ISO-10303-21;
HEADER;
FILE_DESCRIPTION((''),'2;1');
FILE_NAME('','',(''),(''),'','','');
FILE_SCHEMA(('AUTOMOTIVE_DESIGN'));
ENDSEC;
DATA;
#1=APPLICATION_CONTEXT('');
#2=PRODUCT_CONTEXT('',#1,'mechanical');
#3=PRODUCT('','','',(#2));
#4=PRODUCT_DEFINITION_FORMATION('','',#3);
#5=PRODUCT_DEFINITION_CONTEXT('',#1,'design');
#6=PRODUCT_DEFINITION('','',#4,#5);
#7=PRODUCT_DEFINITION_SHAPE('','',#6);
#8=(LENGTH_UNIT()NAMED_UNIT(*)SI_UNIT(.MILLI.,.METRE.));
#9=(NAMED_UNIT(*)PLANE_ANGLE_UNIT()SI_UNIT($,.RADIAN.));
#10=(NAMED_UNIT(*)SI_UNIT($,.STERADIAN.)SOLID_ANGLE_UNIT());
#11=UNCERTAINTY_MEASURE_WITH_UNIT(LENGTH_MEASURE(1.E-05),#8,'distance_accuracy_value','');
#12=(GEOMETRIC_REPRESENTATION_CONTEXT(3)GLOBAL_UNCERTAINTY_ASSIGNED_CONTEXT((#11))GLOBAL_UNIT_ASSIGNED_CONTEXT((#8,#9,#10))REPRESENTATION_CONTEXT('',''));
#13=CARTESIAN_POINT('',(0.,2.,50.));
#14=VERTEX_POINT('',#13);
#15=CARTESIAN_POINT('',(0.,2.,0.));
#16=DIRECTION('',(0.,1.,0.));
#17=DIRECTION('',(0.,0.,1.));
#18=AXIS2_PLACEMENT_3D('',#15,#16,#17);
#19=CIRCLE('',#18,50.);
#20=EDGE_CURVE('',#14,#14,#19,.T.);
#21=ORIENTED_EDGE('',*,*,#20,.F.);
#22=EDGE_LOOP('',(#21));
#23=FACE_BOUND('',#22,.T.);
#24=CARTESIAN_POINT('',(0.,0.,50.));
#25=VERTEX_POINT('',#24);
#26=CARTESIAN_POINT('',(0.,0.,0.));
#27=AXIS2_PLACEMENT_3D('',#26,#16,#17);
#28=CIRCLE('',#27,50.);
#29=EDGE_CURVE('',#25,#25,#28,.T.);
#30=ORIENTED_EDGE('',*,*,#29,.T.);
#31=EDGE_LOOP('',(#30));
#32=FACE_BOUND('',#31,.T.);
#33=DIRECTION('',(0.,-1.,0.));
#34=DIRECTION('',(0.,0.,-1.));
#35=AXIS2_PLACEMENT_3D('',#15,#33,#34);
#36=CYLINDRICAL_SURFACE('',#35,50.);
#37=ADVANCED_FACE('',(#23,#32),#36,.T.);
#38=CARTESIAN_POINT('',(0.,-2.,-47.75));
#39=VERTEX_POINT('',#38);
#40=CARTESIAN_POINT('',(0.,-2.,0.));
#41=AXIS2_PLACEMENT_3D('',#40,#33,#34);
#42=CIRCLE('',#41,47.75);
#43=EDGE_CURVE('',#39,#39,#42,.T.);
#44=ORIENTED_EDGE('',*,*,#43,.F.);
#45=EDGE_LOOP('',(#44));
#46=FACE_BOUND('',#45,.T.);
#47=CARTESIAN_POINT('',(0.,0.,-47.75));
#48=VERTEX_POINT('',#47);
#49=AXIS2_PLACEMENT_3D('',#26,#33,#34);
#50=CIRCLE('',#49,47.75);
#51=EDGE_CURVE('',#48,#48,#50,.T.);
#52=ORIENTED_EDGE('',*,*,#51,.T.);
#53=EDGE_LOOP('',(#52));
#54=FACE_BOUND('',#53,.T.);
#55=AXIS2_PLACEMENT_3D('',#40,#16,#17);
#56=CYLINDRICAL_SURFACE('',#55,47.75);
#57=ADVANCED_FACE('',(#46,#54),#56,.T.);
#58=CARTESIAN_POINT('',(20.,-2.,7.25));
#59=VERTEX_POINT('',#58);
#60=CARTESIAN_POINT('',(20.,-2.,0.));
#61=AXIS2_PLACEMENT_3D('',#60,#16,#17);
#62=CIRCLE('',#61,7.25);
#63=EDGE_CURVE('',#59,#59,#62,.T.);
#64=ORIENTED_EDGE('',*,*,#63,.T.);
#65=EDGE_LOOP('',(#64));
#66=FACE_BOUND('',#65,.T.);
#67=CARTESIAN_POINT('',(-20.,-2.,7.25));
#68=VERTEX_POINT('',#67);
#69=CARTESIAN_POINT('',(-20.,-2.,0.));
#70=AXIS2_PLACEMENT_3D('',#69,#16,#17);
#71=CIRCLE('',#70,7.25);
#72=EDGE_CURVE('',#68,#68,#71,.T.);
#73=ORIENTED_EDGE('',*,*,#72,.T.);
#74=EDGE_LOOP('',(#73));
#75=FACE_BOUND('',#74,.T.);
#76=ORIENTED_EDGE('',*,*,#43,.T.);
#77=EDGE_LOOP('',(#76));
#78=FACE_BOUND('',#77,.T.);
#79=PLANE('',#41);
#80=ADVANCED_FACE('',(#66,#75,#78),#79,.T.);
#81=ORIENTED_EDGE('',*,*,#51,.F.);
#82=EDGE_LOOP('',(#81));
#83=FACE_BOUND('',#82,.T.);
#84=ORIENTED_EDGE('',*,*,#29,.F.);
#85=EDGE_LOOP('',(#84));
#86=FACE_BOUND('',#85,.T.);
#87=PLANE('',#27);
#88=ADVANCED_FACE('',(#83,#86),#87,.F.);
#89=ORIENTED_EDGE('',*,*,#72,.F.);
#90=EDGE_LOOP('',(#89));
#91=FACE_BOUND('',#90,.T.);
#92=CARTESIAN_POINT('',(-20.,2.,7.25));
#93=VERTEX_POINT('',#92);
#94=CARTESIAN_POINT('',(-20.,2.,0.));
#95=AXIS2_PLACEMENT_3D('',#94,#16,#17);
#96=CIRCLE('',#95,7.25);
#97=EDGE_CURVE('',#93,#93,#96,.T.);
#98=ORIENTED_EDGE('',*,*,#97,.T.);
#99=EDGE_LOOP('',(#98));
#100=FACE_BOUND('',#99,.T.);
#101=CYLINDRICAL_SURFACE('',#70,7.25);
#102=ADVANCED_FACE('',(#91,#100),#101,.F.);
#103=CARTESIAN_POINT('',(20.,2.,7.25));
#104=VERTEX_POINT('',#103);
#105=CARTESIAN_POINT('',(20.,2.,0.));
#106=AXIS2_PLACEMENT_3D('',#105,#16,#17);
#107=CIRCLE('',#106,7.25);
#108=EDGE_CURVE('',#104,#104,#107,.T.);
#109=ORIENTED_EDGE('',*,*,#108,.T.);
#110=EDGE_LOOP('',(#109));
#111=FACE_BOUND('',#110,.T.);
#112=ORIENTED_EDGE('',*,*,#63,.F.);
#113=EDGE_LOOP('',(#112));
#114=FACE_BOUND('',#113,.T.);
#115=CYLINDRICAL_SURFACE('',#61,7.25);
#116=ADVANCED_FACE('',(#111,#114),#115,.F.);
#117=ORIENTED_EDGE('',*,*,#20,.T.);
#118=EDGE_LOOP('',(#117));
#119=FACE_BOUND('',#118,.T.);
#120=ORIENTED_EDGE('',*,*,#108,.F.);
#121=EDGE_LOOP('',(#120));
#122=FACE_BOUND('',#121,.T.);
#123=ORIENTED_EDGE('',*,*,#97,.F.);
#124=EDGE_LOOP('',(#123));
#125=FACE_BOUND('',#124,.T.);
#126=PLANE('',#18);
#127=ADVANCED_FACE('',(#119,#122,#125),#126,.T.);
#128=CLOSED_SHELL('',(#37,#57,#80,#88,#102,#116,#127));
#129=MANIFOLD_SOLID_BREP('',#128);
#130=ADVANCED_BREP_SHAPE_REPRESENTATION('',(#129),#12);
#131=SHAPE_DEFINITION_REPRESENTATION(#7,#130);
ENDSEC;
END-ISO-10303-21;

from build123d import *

# Parameters (mm, degrees)
SKETCH1_R           = 50
BOSS_EXTRUDE1_DEPTH = 2
SKETCH2_R           = 47.75
BOSS_EXTRUDE2_DEPTH = 2
SKETCH3_R           = 7.25
CUT_EXTRUDE1_DEPTH  = 71.823724839


with BuildPart() as part:
    # Sketch1 → Boss-Extrude1 (new body)
    with BuildSketch(Plane(origin=(0, 0, 0), x_dir=(1, 0, 0), z_dir=(0, 1, 0))):
        with Locations(Location((0, 0, 0), (0, 0, 270))):
            Circle(SKETCH1_R)
    extrude(amount=BOSS_EXTRUDE1_DEPTH)

    # Sketch2 → Boss-Extrude2 (add)
    with BuildSketch(Plane.XZ):
        with Locations(Location((0, 0, 0), (0, 0, 270))):
            Circle(SKETCH2_R)
    extrude(amount=BOSS_EXTRUDE2_DEPTH)

    # Sketch3 → Cut-Extrude1 (cut, through all)
    with BuildSketch(Plane(origin=(0, 2, 0), x_dir=(1, 0, 0), z_dir=(0, 1, 0))):
        with Locations(Location((-20, 0, 0), (0, 0, 270))):
            Circle(SKETCH3_R)
        with Locations(Location((20, 0, 0), (0, 0, 270))):
            Circle(SKETCH3_R)
    extrude(amount=-CUT_EXTRUDE1_DEPTH, mode=Mode.SUBTRACT)


solid = part.part
